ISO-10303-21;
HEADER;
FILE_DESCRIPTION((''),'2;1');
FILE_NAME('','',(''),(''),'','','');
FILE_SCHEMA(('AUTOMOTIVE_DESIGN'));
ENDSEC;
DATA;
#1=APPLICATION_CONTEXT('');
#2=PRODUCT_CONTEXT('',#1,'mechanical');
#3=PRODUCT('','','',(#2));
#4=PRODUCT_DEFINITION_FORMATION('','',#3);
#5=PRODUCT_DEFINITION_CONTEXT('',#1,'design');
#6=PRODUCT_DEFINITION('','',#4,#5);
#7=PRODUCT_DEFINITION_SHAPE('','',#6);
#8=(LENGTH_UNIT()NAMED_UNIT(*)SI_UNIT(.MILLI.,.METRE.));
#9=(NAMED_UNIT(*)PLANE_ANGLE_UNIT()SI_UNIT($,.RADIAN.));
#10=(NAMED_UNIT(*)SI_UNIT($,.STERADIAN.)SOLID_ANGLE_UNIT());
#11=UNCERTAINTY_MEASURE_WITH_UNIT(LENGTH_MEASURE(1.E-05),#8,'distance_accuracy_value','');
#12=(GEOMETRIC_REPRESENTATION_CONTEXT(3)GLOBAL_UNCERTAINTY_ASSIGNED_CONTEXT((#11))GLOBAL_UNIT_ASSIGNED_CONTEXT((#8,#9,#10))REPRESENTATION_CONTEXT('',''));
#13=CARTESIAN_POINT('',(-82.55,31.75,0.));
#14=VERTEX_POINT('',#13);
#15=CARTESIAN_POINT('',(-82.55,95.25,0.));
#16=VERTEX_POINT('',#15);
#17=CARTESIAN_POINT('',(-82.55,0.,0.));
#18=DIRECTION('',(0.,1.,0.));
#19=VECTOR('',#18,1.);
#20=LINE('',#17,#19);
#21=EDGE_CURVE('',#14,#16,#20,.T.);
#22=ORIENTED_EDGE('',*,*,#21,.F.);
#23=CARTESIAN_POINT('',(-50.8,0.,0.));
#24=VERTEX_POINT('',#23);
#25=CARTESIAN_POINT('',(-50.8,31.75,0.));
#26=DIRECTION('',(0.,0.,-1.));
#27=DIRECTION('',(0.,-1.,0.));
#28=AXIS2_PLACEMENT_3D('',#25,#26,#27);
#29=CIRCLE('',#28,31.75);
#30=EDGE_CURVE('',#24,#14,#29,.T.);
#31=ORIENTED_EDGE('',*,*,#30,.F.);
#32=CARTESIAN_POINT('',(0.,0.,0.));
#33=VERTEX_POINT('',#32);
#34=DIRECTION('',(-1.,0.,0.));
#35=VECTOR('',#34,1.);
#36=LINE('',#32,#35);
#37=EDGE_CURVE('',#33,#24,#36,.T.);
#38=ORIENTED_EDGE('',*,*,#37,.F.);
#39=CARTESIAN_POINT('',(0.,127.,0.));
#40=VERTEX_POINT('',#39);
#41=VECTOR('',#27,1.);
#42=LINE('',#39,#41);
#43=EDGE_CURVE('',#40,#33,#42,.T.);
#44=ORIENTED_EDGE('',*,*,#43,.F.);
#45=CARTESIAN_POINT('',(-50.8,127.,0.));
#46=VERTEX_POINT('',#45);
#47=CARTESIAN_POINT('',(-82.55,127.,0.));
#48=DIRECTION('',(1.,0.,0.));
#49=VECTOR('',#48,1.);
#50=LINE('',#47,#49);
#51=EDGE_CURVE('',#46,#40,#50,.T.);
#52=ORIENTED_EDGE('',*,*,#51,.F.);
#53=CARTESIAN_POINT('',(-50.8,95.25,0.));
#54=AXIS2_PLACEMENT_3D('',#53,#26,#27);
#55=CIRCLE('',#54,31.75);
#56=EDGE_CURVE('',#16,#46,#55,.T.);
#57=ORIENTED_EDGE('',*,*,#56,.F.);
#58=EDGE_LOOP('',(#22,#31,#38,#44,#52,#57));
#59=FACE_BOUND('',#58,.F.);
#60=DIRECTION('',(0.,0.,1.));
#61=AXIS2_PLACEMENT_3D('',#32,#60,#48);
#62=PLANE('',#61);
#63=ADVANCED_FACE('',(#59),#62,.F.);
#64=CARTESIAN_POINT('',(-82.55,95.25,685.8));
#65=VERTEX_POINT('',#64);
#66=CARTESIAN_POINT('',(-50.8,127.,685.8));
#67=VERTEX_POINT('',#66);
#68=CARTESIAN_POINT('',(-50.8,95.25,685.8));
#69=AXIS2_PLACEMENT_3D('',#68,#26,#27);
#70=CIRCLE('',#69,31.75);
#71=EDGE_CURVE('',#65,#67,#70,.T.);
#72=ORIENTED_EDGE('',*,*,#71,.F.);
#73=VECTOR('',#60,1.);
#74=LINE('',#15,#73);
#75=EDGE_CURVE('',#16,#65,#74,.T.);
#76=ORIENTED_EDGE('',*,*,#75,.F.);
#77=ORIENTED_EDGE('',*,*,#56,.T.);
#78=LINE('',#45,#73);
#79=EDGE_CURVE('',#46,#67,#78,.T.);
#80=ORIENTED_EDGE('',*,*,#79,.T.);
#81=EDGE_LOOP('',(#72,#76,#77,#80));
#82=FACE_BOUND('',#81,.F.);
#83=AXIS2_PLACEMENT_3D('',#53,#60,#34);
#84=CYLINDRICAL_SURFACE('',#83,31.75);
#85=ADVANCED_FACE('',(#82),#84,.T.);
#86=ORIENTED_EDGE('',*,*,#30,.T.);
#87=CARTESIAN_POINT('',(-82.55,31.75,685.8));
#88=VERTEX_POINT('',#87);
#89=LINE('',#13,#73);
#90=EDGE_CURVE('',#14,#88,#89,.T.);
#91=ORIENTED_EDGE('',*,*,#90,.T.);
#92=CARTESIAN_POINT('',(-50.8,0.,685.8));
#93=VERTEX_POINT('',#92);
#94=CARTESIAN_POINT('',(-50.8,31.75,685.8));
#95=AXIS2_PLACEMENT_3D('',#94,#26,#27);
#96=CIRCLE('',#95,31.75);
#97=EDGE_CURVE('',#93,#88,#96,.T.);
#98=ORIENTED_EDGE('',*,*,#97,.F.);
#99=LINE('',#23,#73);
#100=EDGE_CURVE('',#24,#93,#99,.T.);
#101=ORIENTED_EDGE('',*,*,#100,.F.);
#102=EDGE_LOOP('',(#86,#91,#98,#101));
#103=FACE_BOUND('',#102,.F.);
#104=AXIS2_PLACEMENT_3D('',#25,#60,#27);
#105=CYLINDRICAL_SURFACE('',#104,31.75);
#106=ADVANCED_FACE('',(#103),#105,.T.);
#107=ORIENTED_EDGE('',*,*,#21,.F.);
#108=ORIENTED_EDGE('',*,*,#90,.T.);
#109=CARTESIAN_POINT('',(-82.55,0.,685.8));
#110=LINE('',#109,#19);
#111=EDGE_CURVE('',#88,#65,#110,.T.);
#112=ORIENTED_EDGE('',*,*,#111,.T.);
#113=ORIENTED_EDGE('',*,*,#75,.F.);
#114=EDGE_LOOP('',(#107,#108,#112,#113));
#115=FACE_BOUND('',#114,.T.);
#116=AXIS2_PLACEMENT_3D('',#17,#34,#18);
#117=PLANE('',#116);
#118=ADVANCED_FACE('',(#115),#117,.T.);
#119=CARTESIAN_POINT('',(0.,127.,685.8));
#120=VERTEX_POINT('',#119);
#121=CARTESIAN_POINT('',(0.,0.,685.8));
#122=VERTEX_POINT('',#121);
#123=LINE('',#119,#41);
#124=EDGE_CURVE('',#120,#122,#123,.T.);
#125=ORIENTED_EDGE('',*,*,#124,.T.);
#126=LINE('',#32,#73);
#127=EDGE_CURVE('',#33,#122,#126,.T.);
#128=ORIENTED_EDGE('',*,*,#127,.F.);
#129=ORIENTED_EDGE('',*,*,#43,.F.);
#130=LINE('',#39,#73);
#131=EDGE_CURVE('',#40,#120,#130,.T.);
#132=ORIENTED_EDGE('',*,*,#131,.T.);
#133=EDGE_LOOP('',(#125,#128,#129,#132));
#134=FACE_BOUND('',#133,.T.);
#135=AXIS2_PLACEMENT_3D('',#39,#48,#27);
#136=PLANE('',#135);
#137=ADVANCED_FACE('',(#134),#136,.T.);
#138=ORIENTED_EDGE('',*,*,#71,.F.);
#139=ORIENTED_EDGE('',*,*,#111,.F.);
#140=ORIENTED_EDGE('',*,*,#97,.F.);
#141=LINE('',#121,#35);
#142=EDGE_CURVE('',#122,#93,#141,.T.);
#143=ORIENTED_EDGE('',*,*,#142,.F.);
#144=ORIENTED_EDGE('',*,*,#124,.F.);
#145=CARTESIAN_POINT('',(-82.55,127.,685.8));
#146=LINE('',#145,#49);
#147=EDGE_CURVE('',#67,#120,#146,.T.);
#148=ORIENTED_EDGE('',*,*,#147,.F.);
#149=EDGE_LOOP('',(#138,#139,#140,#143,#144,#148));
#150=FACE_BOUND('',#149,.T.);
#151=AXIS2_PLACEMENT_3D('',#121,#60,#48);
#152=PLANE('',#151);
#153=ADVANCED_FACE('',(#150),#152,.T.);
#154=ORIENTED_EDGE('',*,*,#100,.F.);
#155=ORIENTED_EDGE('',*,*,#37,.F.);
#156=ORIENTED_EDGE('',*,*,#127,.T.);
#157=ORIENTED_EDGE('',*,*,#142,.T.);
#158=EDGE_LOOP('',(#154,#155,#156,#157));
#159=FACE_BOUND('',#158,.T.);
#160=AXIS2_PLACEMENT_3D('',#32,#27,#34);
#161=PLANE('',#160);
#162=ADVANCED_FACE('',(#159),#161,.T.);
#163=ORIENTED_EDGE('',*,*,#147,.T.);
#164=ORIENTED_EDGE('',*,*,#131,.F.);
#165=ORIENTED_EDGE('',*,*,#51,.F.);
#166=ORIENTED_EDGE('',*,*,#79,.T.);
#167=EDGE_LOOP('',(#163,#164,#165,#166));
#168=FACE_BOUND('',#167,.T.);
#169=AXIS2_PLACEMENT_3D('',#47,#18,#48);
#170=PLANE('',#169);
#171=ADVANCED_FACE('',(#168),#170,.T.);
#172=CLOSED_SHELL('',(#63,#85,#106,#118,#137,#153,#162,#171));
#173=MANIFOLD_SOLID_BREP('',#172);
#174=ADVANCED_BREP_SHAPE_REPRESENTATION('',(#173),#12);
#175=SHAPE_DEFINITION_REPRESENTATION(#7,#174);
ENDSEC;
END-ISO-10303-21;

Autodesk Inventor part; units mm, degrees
ref_plane "YZ Plane" through (0, 0, 0) normal (1, 0, 0) x (0, 1, 0)
ref_plane "XZ Plane" through (0, 0, 0) normal (0, 1, 0) x (-1, 0, 0)
ref_plane "XY Plane" through (0, 0, 0) normal (0, 0, 1) x (1, 0, 0)
sketch "Sketch1" plane through (0, 0, 0) normal (0, 0, 1) x (1, 0, 0)
  line L0 (0, 0) -> (-82.55, 0)
  line L1 (-82.55, 0) -> (-82.55, 127)
  line L2 (-82.55, 127) -> (0, 127)
  line L3 (0, 127) -> (0, 0)
  dimension "d0" = 82.55
  dimension "d1" = 127
extrude "Extrusion1" add sketch "Sketch1" along normal blind 685.8
fillet "Fillet1" radius 31.75 2 edges at (-82.55, 127, 342.9) (-82.55, 0, 342.9)
properties part number "Bumper"
